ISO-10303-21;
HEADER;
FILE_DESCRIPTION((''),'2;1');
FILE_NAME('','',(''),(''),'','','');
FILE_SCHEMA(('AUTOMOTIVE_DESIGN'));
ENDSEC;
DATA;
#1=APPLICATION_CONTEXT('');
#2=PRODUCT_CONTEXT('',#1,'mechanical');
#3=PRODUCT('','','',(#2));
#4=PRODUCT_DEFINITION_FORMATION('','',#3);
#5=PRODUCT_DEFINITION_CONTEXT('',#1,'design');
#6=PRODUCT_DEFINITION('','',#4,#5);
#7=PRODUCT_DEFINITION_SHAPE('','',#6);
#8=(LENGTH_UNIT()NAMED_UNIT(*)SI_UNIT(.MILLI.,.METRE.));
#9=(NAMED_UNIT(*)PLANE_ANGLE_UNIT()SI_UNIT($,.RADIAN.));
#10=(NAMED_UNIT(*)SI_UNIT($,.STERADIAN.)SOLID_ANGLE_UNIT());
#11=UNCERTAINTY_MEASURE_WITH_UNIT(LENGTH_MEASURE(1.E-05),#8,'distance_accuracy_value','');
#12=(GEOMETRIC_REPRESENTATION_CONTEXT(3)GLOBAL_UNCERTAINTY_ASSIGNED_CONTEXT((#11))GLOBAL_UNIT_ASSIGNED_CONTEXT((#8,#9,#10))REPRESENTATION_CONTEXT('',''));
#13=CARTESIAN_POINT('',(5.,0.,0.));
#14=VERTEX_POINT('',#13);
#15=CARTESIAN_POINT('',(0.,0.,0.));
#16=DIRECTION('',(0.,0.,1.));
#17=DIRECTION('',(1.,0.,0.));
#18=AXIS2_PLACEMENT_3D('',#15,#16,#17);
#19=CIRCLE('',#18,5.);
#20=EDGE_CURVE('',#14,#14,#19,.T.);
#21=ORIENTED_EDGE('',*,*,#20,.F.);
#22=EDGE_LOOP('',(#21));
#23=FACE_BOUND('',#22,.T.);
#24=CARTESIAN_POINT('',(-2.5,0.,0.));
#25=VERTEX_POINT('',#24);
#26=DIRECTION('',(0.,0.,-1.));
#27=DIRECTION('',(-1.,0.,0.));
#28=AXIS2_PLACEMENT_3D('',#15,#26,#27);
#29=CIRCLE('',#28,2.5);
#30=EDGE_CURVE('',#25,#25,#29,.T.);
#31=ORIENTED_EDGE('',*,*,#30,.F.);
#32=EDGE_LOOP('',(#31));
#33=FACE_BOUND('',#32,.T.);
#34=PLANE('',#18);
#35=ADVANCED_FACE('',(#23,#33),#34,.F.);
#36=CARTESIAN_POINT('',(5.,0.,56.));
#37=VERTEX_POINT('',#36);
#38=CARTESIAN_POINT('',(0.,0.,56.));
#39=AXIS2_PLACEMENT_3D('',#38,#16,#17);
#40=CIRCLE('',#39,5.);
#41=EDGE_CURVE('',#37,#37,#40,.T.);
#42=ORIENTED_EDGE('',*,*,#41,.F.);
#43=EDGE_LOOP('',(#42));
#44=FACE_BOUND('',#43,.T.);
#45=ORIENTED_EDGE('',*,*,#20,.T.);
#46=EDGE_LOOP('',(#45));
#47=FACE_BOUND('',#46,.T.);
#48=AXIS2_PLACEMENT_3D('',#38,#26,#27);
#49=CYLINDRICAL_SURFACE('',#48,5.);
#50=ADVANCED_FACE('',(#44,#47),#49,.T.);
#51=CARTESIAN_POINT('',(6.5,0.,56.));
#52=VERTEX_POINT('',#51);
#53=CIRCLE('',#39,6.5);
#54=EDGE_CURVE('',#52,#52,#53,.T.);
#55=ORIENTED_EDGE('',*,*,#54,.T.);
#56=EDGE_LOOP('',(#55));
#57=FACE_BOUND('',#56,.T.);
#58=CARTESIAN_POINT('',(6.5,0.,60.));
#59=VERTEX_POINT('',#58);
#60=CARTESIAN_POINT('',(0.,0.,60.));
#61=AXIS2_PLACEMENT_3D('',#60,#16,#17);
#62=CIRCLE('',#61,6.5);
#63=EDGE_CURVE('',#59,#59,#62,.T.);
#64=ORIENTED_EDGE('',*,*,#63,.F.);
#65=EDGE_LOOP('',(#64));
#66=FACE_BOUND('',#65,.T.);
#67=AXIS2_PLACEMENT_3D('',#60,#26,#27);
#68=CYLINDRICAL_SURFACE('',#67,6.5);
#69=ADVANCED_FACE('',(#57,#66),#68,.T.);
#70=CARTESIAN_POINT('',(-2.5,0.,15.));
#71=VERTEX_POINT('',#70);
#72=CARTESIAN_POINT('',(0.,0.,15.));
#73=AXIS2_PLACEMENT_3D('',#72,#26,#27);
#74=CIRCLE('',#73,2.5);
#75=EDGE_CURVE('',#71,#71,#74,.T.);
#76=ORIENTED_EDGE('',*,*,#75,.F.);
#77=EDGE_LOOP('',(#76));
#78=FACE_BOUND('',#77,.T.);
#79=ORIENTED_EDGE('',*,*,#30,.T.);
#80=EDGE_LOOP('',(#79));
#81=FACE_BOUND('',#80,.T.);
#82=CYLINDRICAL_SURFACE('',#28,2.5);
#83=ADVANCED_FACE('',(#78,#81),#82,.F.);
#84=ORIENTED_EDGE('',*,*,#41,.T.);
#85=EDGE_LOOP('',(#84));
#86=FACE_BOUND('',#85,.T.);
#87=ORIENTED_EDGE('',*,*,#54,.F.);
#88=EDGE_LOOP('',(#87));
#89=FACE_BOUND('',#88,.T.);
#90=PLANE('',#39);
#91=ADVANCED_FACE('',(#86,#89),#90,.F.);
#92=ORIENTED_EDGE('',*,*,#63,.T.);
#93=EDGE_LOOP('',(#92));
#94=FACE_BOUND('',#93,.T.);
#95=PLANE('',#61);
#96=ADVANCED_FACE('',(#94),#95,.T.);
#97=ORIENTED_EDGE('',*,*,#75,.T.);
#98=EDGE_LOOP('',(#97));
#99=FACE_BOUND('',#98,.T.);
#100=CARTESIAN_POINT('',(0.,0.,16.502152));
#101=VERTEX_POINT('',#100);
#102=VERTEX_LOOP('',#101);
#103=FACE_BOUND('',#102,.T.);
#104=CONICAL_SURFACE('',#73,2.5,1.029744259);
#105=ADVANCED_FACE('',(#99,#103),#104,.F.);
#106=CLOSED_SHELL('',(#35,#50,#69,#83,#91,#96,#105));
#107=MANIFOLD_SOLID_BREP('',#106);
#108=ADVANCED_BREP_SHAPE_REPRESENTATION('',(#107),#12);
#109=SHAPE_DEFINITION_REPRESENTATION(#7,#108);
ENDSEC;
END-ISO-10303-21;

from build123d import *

# Parameters (mm, degrees)
SKETCH_1_R             = 5
EXTRUDE_1_DEPTH        = 56
SKETCH_2_R             = 6.5
EXTRUDE_2_DEPTH        = 4
HOLE_WIZARD_M6_1_D     = 5
HOLE_WIZARD_M6_1_DEPTH = 15
HOLE_WIZARD_M6_1_TIP   = 1.502151548


with BuildPart() as part:
    # 草图1 → 凸台-拉伸1 (new body)
    with BuildSketch(Plane.XY):
        Circle(SKETCH_1_R)
    extrude(amount=EXTRUDE_1_DEPTH)

    # 草图2 → 凸台-拉伸2 (add)
    with BuildSketch(Plane.XY.offset(56)):
        Circle(SKETCH_2_R)
    extrude(amount=EXTRUDE_2_DEPTH)

    # M6 螺纹孔1
    with Locations(Plane(origin=(0, 0, 0), x_dir=(-1, 0, 0), z_dir=(0, 0, -1))):
        with Locations((0, 0)):
            Hole(HOLE_WIZARD_M6_1_D / 2, depth=HOLE_WIZARD_M6_1_DEPTH)
            with Locations((0, 0, -(HOLE_WIZARD_M6_1_DEPTH + HOLE_WIZARD_M6_1_TIP / 2))):  # 118° drill point
                Cone(0, HOLE_WIZARD_M6_1_D / 2, HOLE_WIZARD_M6_1_TIP, mode=Mode.SUBTRACT)


solid = part.part
